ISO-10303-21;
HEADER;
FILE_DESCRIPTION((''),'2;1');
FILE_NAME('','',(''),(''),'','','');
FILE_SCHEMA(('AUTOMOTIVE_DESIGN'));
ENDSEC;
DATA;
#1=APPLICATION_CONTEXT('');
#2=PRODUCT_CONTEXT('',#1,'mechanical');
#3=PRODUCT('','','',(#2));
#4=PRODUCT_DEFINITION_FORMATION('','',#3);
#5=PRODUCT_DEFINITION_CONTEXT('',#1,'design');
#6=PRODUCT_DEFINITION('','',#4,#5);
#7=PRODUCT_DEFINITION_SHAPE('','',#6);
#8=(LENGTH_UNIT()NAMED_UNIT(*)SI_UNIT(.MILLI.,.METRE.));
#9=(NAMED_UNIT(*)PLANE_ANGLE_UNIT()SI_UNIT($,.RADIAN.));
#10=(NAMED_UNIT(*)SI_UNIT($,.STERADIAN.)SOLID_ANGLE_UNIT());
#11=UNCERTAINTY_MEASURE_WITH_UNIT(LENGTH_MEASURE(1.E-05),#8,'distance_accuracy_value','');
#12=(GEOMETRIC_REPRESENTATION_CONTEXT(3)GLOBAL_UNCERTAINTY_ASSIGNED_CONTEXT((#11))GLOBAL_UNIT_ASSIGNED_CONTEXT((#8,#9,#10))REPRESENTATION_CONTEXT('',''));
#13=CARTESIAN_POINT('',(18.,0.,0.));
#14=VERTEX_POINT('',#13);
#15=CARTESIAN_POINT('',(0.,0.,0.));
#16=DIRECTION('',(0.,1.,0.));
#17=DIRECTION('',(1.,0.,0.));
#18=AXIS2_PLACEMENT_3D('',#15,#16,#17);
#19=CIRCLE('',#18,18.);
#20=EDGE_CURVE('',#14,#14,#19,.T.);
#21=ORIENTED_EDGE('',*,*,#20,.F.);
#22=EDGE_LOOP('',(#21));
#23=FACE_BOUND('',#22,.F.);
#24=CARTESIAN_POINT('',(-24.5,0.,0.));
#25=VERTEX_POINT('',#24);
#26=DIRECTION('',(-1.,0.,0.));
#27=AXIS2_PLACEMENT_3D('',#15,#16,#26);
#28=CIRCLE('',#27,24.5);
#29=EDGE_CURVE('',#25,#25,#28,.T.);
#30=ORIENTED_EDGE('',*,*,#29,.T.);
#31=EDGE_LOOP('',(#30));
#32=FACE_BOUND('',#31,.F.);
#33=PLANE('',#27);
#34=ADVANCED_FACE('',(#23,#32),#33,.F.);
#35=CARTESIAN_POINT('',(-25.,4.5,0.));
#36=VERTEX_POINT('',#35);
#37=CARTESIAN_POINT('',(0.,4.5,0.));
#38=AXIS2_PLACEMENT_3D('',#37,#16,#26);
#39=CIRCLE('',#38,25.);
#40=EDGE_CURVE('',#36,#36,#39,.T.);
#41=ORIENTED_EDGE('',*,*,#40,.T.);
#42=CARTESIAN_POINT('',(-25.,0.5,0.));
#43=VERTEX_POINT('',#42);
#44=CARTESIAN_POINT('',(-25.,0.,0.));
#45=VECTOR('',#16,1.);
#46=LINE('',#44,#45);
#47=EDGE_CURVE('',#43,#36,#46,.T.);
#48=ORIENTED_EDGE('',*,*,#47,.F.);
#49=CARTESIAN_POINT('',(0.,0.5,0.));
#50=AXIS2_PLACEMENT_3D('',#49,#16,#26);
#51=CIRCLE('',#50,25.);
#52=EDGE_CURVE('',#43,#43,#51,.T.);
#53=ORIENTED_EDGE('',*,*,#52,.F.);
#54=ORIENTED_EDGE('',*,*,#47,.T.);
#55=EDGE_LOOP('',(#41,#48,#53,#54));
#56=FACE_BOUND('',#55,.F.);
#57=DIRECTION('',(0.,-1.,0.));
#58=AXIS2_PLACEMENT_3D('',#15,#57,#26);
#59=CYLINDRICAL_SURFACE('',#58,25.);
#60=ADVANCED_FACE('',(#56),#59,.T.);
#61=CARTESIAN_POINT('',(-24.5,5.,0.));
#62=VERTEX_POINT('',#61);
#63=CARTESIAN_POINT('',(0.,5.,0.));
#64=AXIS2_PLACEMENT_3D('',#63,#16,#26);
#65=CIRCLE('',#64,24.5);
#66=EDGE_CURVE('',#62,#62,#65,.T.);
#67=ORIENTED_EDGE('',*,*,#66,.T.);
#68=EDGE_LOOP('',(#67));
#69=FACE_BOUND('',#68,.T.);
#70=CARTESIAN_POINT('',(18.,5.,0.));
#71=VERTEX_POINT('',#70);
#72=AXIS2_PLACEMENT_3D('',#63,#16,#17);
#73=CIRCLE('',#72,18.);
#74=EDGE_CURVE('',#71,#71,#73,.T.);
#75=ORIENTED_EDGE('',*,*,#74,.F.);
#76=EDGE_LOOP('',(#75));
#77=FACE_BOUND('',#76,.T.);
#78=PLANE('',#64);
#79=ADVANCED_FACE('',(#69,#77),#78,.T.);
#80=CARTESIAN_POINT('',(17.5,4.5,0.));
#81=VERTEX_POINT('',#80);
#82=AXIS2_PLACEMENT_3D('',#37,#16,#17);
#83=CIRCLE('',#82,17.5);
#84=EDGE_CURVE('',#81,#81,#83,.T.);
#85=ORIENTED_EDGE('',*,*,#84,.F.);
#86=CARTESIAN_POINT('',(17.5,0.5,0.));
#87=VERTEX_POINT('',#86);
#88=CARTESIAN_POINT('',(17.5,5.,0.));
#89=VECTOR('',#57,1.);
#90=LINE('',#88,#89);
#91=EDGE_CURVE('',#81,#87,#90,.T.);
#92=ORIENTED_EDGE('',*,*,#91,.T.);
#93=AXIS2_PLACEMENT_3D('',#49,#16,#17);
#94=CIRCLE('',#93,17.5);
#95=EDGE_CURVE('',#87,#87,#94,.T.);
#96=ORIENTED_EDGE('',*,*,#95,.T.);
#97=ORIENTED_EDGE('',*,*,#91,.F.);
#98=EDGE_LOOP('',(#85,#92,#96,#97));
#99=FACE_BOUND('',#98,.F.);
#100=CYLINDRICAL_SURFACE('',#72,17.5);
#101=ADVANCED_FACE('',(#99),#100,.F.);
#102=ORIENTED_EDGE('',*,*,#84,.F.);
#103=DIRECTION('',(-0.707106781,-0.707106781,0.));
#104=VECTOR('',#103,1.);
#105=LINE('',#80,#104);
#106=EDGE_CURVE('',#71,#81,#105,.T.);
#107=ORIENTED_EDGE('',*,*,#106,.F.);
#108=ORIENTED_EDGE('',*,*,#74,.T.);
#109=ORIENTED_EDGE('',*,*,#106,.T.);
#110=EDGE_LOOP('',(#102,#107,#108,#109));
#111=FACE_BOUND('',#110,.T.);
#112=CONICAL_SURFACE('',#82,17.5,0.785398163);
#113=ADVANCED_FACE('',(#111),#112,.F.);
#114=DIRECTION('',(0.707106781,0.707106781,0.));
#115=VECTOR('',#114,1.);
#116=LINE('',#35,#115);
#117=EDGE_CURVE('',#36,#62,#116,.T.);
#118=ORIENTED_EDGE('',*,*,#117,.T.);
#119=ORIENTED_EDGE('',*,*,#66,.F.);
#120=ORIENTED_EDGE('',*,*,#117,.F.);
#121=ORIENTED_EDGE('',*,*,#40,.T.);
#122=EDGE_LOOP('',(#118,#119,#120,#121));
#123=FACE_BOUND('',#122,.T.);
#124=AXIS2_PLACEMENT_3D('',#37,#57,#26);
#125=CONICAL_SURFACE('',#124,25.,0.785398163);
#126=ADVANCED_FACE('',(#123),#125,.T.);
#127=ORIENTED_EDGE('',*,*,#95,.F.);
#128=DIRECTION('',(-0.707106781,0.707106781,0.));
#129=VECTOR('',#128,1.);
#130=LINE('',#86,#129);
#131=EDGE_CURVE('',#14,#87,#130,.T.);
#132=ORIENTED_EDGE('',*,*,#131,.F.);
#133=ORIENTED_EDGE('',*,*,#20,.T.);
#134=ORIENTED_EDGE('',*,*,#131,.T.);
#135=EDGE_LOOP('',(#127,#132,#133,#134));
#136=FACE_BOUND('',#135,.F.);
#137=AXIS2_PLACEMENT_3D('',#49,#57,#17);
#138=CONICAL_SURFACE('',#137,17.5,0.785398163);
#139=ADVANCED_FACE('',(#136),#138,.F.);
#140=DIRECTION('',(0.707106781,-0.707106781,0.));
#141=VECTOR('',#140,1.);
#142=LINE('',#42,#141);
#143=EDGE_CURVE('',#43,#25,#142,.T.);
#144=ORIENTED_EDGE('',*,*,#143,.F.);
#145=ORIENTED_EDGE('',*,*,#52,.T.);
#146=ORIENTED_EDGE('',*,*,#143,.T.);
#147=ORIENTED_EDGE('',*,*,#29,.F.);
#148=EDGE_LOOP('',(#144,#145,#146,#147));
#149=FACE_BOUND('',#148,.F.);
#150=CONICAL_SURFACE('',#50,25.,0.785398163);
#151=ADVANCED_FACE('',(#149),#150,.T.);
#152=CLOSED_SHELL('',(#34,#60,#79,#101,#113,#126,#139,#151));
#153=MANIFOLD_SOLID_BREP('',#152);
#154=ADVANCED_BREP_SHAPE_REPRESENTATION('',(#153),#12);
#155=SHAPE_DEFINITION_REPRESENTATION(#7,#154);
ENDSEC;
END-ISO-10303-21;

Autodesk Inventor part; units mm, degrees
ref_plane "YZ Plane" through (0, 0, 0) normal (1, 0, 0) x (0, 1, 0)
ref_plane "XZ Plane" through (0, 0, 0) normal (0, 1, 0) x (-1, 0, 0)
ref_plane "XY Plane" through (0, 0, 0) normal (0, 0, 1) x (1, 0, 0)
sketch "スケッチ1" plane through (0, 0, 0) normal (0, 1, 0) x (-1, 0, 0)
  circle A0 centre (0, 0) radius 25
  dimension "d0" = 50
extrude "押し出し1" add sketch "スケッチ1" along normal blind 5
sketch "スケッチ4" plane through (0, 5, 0) normal (0, 1, 0) x (1, 0, 0)
  circle A0 centre (0, 0) radius 17.5
  dimension "d9" = 35
extrude "押し出し4" cut sketch "スケッチ4" against normal through all
chamfer "面取り2" distance 0.5 angle 45 4 edges at (25, 5, 0) (-17.5, 5, 0) (-17.5, 0, 0) (25, 0, 0)
properties part number "B_probe_bearing_clamp_without_holes" material "PAEK 樹脂"
